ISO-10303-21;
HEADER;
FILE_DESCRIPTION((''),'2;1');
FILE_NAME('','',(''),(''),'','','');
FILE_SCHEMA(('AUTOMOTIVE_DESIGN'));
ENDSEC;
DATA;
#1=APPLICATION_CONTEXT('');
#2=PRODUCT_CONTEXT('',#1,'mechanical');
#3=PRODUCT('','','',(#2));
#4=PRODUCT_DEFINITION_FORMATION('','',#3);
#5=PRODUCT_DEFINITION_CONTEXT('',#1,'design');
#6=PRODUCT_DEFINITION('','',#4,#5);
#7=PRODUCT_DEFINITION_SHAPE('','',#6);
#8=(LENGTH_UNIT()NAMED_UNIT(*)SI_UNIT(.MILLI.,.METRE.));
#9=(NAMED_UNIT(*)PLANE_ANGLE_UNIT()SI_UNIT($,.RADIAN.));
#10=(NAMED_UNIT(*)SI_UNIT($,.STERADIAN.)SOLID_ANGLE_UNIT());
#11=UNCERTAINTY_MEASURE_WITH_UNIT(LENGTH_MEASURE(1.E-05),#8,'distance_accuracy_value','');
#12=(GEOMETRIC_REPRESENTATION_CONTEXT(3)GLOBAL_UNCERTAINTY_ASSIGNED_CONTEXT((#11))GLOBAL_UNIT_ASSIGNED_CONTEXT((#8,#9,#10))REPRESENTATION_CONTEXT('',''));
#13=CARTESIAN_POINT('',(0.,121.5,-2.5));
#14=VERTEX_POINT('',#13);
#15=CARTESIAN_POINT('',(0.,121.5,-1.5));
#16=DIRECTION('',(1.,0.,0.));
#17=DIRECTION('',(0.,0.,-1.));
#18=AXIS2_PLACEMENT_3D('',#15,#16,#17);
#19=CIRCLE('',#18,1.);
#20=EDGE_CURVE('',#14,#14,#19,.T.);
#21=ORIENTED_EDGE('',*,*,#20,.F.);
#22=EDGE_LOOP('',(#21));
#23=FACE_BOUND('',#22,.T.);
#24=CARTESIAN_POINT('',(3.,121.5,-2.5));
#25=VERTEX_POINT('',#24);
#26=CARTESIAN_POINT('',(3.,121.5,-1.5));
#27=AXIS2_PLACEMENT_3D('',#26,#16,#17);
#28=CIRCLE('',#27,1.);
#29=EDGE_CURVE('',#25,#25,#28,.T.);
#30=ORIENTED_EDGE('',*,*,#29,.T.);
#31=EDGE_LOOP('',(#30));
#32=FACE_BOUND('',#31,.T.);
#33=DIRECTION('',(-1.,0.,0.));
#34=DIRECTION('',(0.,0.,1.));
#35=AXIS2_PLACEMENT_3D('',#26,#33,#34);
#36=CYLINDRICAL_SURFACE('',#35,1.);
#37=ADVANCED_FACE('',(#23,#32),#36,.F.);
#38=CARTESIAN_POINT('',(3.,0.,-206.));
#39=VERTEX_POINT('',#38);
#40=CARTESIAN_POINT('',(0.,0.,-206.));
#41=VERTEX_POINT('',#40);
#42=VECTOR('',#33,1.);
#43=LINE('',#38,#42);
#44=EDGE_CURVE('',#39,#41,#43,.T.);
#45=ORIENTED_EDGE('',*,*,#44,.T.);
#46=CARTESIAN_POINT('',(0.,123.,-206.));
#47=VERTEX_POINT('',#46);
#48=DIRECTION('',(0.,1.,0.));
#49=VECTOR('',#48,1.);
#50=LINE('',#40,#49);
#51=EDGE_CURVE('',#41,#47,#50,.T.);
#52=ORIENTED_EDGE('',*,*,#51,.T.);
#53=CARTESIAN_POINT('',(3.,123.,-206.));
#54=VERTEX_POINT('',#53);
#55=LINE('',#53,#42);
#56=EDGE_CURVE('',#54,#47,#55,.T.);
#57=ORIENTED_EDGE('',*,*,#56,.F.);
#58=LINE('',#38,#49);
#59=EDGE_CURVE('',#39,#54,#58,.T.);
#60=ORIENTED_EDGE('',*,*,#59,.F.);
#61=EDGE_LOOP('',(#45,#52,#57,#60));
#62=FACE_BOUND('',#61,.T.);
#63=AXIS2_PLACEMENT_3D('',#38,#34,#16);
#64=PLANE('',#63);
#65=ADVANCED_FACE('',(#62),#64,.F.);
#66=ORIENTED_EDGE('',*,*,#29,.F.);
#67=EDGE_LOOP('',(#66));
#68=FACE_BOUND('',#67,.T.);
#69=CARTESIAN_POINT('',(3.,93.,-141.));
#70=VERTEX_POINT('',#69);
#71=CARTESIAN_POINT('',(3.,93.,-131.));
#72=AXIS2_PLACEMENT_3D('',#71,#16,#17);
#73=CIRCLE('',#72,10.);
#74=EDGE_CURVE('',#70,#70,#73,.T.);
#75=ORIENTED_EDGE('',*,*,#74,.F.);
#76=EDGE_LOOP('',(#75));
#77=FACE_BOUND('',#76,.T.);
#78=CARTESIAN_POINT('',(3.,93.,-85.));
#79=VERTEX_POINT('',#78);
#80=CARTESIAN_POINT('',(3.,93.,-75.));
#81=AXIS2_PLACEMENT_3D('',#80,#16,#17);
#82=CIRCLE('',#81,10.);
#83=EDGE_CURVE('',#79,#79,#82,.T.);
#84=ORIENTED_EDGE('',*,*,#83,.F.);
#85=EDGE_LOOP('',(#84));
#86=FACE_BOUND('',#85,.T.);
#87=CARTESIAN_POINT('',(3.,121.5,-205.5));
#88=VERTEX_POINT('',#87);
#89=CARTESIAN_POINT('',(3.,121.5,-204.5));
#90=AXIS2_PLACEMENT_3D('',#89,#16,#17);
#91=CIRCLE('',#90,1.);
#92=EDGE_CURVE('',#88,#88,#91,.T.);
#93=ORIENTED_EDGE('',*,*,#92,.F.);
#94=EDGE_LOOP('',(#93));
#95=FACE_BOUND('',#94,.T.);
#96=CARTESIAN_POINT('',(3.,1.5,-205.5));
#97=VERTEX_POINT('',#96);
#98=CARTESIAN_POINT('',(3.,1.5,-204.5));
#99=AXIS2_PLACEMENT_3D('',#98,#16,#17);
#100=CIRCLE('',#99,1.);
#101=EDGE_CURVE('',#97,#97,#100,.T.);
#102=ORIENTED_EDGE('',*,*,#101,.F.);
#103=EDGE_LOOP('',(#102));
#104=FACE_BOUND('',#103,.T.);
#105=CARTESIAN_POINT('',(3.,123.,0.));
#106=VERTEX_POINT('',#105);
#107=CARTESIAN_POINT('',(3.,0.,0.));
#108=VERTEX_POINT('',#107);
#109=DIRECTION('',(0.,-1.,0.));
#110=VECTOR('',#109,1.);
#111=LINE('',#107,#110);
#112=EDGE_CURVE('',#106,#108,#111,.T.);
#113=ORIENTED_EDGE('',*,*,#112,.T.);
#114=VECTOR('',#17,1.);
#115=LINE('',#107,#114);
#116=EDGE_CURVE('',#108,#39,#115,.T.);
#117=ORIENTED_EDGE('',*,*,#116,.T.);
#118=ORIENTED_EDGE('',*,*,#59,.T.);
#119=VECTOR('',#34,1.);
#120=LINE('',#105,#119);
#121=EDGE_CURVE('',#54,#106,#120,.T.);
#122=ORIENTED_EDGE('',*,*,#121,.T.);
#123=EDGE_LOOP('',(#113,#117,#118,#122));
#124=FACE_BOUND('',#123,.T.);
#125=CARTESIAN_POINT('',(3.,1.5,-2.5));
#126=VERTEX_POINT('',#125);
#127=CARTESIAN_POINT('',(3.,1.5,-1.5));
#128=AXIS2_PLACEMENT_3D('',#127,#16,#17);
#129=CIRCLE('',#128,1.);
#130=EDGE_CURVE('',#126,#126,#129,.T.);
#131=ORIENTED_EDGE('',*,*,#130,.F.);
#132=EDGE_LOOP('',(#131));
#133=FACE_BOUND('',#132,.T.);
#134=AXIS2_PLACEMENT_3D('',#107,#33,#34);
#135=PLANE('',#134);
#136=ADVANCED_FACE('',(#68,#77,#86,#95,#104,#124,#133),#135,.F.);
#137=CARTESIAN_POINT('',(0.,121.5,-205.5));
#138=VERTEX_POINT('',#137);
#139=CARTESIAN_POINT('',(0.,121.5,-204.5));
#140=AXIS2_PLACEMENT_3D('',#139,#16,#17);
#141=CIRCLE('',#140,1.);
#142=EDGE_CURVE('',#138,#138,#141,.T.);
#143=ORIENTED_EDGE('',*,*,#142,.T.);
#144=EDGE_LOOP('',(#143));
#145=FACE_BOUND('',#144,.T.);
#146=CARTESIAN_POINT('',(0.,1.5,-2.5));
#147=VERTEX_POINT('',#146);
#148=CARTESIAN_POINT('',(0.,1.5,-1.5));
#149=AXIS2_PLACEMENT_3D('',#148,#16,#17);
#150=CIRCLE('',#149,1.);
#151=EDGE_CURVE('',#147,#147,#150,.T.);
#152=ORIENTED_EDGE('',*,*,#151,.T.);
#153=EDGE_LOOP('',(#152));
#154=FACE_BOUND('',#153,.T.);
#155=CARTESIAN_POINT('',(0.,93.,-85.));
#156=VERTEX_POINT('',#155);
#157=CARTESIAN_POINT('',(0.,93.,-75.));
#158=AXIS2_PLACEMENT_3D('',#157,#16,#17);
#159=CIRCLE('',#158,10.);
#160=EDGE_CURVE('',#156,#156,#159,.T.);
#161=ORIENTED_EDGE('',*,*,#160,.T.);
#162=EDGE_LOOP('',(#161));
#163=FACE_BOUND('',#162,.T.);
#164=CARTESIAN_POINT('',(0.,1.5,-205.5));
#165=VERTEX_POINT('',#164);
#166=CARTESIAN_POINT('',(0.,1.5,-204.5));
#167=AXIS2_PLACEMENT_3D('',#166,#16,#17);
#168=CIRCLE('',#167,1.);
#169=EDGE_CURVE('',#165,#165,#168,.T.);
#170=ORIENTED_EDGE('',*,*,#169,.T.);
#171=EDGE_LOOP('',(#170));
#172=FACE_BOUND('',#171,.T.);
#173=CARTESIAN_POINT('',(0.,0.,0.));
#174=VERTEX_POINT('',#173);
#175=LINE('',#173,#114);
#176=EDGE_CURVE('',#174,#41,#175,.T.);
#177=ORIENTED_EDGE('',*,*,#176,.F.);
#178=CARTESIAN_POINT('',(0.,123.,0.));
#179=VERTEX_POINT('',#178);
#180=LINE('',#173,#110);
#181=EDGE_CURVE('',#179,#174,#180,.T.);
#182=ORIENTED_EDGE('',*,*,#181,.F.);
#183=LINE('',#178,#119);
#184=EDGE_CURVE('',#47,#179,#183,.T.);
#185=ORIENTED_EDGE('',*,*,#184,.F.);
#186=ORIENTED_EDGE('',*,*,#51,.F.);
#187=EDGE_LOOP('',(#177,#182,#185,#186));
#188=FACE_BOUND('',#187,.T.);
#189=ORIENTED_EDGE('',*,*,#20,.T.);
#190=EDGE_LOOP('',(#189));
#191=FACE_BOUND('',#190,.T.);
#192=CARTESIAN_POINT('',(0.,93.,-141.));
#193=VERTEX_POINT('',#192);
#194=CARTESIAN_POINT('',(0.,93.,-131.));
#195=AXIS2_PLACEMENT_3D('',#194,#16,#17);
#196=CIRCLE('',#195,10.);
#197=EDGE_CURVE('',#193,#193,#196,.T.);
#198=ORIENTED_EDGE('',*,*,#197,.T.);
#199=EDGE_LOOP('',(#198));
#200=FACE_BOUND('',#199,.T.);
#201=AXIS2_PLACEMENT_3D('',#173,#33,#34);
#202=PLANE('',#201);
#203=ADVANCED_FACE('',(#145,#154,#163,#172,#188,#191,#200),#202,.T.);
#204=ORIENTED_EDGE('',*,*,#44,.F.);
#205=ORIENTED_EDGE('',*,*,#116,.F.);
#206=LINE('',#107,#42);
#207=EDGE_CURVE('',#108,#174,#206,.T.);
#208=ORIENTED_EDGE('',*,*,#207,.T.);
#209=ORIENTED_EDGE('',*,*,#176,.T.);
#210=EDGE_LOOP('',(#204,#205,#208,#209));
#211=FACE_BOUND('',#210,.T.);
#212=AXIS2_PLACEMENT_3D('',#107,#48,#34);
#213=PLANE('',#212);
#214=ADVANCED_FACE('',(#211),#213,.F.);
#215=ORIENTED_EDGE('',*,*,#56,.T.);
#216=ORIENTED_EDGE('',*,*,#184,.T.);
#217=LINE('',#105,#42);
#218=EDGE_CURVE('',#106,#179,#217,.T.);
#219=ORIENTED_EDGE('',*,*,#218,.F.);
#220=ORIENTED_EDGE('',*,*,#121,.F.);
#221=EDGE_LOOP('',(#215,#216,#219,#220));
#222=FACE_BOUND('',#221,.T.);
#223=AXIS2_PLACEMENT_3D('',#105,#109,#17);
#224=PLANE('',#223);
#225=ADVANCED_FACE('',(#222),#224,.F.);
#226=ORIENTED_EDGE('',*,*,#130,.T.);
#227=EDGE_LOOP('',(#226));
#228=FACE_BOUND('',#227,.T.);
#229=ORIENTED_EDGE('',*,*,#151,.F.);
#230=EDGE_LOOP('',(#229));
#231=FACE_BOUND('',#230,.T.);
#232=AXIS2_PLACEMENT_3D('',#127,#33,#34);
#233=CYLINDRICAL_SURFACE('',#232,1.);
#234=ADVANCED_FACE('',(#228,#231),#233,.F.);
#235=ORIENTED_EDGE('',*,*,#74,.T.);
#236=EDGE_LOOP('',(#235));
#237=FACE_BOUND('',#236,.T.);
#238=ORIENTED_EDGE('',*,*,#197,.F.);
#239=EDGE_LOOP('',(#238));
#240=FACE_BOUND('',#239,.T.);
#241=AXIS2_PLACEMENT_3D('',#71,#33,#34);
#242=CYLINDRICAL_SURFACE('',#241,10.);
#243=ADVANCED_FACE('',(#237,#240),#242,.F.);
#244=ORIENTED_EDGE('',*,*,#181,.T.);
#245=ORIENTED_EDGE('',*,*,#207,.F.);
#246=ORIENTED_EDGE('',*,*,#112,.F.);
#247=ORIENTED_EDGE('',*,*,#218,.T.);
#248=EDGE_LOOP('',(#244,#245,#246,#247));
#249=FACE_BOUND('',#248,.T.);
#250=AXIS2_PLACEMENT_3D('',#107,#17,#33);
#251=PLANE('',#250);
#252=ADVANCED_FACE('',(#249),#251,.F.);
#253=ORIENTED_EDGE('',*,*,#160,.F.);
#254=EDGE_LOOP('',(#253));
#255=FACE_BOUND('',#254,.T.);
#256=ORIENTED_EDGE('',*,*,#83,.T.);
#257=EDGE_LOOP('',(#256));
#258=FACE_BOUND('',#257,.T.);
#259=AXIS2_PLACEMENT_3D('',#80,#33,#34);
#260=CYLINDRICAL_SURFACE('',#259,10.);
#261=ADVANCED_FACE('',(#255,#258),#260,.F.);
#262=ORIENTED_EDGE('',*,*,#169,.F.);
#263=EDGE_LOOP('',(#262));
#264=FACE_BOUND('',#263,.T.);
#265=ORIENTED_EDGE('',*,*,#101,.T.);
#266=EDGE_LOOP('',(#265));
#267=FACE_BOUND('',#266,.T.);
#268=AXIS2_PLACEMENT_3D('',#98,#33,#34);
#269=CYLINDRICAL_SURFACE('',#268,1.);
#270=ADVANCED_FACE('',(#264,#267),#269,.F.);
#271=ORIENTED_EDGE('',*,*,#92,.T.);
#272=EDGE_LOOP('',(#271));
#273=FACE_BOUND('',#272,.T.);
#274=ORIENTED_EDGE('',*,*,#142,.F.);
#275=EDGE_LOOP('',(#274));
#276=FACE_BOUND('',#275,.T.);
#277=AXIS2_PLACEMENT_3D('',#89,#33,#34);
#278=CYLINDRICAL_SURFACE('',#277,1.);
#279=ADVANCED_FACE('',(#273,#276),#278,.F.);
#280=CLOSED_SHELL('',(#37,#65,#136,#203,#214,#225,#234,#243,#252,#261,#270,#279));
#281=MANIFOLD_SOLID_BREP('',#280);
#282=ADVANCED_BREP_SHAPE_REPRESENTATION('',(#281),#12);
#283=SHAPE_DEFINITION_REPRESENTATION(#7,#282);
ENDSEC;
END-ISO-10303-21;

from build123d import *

# Parameters (mm, degrees)
SKETCH1_W           = 206
SKETCH1_H           = 123
SKETCH1_R           = 10
SKETCH1_R_2         = 1
BOSS_EXTRUDE1_DEPTH = 3


with BuildPart() as part:
    # Sketch1 → Boss-Extrude1 (new body)
    with BuildSketch(Plane(origin=(0, 0, 0), x_dir=(0, 0, -1), z_dir=(1, 0, 0))):
        with Locations((103, 61.5)):
            Rectangle(SKETCH1_W, SKETCH1_H)
        with Locations((75, 93)):
            Circle(SKETCH1_R, mode=Mode.SUBTRACT)
        with Locations((131, 93)):
            Circle(SKETCH1_R, mode=Mode.SUBTRACT)
        with Locations((204.5, 1.5)):
            Circle(SKETCH1_R_2, mode=Mode.SUBTRACT)
        with Locations((1.5, 1.5)):
            Circle(SKETCH1_R_2, mode=Mode.SUBTRACT)
        with Locations((204.5, 121.5)):
            Circle(SKETCH1_R_2, mode=Mode.SUBTRACT)
        with Locations((1.5, 121.5)):
            Circle(SKETCH1_R_2, mode=Mode.SUBTRACT)
    extrude(amount=BOSS_EXTRUDE1_DEPTH)


solid = part.part
